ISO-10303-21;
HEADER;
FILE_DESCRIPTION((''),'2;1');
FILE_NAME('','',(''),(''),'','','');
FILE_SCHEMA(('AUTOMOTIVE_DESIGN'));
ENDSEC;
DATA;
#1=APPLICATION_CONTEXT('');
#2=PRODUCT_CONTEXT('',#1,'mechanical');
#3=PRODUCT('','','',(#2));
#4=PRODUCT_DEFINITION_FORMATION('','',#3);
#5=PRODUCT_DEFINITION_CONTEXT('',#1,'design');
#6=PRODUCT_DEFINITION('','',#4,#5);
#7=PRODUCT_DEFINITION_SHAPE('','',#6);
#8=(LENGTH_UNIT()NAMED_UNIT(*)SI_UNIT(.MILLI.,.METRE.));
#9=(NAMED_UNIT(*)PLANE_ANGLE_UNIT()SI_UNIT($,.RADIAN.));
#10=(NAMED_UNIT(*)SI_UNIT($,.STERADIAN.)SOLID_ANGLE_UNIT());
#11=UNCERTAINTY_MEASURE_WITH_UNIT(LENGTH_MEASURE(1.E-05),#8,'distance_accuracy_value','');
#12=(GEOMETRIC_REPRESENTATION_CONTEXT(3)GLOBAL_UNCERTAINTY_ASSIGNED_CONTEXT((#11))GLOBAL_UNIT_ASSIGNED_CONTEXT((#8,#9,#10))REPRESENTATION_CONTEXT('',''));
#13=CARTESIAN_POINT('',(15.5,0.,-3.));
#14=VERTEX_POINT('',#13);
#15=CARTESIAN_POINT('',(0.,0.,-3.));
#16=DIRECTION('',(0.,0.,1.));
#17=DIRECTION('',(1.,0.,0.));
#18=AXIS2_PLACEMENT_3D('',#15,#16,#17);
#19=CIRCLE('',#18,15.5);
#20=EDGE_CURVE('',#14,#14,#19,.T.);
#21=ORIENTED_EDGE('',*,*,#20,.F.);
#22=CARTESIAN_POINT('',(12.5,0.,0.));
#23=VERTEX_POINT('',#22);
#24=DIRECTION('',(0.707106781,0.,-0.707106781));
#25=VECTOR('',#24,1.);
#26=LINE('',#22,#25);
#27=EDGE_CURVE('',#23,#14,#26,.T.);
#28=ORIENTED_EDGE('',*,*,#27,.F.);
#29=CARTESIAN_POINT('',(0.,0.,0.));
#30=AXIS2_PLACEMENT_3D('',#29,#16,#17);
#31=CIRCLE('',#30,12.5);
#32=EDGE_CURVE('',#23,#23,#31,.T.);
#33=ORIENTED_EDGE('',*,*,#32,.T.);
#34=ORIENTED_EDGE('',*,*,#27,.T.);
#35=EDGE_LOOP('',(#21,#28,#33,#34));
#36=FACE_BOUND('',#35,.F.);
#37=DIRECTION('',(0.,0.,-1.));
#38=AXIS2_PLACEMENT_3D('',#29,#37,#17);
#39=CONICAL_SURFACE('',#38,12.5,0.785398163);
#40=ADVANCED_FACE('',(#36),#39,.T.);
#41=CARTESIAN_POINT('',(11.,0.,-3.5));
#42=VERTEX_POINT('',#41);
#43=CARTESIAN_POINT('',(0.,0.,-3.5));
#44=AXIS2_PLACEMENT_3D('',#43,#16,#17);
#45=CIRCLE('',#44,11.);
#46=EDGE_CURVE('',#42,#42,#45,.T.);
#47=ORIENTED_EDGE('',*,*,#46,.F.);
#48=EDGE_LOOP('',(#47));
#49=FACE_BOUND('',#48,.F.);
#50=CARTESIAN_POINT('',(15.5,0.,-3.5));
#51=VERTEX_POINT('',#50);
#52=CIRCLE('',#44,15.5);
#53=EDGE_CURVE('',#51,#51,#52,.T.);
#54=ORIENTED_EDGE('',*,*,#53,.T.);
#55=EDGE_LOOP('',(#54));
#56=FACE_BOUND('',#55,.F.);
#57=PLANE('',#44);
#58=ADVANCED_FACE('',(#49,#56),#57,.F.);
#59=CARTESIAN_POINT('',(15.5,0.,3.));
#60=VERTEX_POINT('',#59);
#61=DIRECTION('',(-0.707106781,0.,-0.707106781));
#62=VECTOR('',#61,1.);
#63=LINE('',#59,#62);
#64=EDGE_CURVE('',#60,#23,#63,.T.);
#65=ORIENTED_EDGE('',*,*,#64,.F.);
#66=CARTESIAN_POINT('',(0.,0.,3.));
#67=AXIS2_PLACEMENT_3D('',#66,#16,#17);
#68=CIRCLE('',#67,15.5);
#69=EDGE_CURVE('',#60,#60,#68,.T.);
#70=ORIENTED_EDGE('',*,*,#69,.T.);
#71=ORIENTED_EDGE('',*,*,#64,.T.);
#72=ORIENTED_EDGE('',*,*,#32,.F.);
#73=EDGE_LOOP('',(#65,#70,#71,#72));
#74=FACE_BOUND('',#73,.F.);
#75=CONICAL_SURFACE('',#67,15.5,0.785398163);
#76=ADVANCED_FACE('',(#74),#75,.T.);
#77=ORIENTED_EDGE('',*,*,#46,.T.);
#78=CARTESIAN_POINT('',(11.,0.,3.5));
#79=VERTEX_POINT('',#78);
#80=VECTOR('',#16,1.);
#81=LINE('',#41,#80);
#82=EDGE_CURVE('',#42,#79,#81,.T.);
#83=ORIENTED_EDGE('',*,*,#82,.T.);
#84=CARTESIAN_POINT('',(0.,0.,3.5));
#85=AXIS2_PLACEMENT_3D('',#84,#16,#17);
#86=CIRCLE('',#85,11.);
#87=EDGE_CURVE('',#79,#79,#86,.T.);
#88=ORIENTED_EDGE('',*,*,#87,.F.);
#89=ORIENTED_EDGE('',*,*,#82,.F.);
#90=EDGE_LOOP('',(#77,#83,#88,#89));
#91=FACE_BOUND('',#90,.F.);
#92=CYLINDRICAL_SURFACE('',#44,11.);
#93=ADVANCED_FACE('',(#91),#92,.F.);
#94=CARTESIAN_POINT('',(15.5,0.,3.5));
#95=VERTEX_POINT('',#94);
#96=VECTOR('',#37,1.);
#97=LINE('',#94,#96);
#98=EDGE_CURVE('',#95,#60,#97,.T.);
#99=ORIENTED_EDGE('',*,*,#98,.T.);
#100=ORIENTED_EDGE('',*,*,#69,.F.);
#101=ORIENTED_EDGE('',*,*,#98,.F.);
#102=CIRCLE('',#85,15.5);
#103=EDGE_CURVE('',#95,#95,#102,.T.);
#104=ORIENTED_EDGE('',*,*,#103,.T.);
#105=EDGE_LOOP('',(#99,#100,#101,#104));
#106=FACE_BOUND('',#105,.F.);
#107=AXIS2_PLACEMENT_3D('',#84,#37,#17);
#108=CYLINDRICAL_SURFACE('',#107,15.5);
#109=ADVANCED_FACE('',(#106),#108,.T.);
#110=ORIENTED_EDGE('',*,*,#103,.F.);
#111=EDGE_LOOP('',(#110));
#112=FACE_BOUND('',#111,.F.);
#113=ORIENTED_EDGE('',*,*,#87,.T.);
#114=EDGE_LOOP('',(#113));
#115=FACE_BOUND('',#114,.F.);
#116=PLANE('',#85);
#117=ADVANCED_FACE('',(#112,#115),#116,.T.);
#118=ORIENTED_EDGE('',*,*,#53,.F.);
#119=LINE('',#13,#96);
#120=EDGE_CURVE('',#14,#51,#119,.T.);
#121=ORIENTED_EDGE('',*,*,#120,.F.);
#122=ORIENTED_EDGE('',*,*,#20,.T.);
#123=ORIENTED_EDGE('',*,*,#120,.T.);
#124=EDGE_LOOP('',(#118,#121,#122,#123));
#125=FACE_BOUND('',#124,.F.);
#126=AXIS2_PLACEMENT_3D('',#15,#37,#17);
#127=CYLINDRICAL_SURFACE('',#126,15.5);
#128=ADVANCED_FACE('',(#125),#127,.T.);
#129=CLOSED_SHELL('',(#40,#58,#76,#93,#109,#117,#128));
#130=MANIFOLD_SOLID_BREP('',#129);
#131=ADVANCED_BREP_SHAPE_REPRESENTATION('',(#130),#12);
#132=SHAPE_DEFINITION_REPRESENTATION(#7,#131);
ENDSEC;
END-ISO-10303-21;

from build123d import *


with BuildPart() as part:
    # Sketch → Revolution (revolve)
    with BuildSketch(Plane.XZ):
        Polygon((11, 3.5), (15.5, 3.5), (15.5, 3), (12.5, 0), (15.5, -3), (15.5, -3.5), (11, -3.5), align=None)
    revolve(axis=Axis((0, 0, 0), (0, 0, 1)))


solid = part.part
